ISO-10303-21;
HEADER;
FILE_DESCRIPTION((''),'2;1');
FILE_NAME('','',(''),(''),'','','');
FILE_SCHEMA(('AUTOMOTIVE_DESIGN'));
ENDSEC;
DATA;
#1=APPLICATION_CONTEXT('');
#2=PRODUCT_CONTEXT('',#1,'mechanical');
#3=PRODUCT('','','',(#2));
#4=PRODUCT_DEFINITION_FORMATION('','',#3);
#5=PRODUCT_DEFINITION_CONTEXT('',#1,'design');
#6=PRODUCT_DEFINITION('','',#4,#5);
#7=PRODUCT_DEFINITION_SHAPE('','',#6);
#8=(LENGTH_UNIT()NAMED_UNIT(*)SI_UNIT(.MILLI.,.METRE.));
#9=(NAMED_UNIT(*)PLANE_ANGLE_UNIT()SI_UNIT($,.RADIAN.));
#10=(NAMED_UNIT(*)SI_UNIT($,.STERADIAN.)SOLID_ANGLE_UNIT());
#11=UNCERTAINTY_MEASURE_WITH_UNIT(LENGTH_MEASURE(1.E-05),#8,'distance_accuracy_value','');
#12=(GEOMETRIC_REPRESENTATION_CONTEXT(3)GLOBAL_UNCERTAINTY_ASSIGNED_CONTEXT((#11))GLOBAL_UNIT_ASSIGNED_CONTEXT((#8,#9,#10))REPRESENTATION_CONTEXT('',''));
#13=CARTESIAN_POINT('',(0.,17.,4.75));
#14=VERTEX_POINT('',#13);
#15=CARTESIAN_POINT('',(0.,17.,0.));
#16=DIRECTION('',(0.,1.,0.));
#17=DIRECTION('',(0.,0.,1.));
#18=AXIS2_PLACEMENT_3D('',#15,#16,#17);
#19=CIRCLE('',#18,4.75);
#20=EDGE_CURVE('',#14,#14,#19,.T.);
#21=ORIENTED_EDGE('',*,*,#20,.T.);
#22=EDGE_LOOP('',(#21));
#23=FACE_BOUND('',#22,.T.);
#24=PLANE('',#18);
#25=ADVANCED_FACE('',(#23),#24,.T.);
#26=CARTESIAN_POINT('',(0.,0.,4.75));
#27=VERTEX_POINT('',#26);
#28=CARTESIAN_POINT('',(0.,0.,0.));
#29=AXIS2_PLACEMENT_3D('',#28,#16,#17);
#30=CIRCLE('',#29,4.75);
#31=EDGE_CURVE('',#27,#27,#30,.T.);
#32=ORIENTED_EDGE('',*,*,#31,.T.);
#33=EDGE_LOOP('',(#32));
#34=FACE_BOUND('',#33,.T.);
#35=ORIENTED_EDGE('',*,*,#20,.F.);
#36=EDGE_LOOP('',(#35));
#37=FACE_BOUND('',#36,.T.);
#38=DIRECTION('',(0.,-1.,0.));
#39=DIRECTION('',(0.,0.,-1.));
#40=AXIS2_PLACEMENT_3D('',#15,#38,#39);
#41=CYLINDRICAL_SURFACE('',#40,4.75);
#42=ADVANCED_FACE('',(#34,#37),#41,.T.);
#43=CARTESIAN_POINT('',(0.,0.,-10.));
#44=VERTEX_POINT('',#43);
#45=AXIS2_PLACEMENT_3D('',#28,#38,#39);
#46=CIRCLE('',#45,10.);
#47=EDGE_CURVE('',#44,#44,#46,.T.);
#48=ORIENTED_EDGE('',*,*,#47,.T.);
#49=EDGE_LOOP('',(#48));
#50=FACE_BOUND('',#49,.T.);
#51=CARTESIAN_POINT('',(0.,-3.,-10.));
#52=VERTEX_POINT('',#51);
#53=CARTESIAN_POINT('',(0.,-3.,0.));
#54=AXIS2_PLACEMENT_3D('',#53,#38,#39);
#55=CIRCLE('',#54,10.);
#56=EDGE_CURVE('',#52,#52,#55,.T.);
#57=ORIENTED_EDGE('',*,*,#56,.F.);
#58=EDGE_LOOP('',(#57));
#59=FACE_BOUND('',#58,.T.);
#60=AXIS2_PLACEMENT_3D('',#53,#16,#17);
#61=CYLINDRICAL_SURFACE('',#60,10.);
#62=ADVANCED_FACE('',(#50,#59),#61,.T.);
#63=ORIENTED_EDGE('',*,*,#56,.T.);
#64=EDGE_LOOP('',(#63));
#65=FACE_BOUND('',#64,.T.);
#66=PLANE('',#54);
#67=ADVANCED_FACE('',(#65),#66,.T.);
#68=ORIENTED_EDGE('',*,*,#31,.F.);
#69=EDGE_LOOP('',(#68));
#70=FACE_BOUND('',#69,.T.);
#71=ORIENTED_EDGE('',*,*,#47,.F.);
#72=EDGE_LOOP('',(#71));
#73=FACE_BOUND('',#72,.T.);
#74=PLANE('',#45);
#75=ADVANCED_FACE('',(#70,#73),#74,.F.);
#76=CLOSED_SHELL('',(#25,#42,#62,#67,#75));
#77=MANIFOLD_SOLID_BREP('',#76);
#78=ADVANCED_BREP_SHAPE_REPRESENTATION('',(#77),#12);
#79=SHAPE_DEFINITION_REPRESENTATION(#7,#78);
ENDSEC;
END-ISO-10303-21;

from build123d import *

# Parameters (mm, degrees)
SKETCH_1_R      = 4.75
EXTRUDE_1_DEPTH = 17
SKETCH_2_R      = 10
EXTRUDE_2_DEPTH = 3


with BuildPart() as part:
    # 草图1 → 凸台-拉伸1 (new body)
    with BuildSketch(Plane(origin=(0, 0, 0), x_dir=(1, 0, 0), z_dir=(0, 1, 0))):
        with Locations(Location((0, 0, 0), (0, 0, 270))):
            Circle(SKETCH_1_R)
    extrude(amount=EXTRUDE_1_DEPTH)

    # 草图2 → 凸台-拉伸2 (add)
    with BuildSketch(Plane.XZ):
        with Locations(Location((0, 0, 0), (0, 0, 270))):
            Circle(SKETCH_2_R)
    extrude(amount=EXTRUDE_2_DEPTH)


solid = part.part
